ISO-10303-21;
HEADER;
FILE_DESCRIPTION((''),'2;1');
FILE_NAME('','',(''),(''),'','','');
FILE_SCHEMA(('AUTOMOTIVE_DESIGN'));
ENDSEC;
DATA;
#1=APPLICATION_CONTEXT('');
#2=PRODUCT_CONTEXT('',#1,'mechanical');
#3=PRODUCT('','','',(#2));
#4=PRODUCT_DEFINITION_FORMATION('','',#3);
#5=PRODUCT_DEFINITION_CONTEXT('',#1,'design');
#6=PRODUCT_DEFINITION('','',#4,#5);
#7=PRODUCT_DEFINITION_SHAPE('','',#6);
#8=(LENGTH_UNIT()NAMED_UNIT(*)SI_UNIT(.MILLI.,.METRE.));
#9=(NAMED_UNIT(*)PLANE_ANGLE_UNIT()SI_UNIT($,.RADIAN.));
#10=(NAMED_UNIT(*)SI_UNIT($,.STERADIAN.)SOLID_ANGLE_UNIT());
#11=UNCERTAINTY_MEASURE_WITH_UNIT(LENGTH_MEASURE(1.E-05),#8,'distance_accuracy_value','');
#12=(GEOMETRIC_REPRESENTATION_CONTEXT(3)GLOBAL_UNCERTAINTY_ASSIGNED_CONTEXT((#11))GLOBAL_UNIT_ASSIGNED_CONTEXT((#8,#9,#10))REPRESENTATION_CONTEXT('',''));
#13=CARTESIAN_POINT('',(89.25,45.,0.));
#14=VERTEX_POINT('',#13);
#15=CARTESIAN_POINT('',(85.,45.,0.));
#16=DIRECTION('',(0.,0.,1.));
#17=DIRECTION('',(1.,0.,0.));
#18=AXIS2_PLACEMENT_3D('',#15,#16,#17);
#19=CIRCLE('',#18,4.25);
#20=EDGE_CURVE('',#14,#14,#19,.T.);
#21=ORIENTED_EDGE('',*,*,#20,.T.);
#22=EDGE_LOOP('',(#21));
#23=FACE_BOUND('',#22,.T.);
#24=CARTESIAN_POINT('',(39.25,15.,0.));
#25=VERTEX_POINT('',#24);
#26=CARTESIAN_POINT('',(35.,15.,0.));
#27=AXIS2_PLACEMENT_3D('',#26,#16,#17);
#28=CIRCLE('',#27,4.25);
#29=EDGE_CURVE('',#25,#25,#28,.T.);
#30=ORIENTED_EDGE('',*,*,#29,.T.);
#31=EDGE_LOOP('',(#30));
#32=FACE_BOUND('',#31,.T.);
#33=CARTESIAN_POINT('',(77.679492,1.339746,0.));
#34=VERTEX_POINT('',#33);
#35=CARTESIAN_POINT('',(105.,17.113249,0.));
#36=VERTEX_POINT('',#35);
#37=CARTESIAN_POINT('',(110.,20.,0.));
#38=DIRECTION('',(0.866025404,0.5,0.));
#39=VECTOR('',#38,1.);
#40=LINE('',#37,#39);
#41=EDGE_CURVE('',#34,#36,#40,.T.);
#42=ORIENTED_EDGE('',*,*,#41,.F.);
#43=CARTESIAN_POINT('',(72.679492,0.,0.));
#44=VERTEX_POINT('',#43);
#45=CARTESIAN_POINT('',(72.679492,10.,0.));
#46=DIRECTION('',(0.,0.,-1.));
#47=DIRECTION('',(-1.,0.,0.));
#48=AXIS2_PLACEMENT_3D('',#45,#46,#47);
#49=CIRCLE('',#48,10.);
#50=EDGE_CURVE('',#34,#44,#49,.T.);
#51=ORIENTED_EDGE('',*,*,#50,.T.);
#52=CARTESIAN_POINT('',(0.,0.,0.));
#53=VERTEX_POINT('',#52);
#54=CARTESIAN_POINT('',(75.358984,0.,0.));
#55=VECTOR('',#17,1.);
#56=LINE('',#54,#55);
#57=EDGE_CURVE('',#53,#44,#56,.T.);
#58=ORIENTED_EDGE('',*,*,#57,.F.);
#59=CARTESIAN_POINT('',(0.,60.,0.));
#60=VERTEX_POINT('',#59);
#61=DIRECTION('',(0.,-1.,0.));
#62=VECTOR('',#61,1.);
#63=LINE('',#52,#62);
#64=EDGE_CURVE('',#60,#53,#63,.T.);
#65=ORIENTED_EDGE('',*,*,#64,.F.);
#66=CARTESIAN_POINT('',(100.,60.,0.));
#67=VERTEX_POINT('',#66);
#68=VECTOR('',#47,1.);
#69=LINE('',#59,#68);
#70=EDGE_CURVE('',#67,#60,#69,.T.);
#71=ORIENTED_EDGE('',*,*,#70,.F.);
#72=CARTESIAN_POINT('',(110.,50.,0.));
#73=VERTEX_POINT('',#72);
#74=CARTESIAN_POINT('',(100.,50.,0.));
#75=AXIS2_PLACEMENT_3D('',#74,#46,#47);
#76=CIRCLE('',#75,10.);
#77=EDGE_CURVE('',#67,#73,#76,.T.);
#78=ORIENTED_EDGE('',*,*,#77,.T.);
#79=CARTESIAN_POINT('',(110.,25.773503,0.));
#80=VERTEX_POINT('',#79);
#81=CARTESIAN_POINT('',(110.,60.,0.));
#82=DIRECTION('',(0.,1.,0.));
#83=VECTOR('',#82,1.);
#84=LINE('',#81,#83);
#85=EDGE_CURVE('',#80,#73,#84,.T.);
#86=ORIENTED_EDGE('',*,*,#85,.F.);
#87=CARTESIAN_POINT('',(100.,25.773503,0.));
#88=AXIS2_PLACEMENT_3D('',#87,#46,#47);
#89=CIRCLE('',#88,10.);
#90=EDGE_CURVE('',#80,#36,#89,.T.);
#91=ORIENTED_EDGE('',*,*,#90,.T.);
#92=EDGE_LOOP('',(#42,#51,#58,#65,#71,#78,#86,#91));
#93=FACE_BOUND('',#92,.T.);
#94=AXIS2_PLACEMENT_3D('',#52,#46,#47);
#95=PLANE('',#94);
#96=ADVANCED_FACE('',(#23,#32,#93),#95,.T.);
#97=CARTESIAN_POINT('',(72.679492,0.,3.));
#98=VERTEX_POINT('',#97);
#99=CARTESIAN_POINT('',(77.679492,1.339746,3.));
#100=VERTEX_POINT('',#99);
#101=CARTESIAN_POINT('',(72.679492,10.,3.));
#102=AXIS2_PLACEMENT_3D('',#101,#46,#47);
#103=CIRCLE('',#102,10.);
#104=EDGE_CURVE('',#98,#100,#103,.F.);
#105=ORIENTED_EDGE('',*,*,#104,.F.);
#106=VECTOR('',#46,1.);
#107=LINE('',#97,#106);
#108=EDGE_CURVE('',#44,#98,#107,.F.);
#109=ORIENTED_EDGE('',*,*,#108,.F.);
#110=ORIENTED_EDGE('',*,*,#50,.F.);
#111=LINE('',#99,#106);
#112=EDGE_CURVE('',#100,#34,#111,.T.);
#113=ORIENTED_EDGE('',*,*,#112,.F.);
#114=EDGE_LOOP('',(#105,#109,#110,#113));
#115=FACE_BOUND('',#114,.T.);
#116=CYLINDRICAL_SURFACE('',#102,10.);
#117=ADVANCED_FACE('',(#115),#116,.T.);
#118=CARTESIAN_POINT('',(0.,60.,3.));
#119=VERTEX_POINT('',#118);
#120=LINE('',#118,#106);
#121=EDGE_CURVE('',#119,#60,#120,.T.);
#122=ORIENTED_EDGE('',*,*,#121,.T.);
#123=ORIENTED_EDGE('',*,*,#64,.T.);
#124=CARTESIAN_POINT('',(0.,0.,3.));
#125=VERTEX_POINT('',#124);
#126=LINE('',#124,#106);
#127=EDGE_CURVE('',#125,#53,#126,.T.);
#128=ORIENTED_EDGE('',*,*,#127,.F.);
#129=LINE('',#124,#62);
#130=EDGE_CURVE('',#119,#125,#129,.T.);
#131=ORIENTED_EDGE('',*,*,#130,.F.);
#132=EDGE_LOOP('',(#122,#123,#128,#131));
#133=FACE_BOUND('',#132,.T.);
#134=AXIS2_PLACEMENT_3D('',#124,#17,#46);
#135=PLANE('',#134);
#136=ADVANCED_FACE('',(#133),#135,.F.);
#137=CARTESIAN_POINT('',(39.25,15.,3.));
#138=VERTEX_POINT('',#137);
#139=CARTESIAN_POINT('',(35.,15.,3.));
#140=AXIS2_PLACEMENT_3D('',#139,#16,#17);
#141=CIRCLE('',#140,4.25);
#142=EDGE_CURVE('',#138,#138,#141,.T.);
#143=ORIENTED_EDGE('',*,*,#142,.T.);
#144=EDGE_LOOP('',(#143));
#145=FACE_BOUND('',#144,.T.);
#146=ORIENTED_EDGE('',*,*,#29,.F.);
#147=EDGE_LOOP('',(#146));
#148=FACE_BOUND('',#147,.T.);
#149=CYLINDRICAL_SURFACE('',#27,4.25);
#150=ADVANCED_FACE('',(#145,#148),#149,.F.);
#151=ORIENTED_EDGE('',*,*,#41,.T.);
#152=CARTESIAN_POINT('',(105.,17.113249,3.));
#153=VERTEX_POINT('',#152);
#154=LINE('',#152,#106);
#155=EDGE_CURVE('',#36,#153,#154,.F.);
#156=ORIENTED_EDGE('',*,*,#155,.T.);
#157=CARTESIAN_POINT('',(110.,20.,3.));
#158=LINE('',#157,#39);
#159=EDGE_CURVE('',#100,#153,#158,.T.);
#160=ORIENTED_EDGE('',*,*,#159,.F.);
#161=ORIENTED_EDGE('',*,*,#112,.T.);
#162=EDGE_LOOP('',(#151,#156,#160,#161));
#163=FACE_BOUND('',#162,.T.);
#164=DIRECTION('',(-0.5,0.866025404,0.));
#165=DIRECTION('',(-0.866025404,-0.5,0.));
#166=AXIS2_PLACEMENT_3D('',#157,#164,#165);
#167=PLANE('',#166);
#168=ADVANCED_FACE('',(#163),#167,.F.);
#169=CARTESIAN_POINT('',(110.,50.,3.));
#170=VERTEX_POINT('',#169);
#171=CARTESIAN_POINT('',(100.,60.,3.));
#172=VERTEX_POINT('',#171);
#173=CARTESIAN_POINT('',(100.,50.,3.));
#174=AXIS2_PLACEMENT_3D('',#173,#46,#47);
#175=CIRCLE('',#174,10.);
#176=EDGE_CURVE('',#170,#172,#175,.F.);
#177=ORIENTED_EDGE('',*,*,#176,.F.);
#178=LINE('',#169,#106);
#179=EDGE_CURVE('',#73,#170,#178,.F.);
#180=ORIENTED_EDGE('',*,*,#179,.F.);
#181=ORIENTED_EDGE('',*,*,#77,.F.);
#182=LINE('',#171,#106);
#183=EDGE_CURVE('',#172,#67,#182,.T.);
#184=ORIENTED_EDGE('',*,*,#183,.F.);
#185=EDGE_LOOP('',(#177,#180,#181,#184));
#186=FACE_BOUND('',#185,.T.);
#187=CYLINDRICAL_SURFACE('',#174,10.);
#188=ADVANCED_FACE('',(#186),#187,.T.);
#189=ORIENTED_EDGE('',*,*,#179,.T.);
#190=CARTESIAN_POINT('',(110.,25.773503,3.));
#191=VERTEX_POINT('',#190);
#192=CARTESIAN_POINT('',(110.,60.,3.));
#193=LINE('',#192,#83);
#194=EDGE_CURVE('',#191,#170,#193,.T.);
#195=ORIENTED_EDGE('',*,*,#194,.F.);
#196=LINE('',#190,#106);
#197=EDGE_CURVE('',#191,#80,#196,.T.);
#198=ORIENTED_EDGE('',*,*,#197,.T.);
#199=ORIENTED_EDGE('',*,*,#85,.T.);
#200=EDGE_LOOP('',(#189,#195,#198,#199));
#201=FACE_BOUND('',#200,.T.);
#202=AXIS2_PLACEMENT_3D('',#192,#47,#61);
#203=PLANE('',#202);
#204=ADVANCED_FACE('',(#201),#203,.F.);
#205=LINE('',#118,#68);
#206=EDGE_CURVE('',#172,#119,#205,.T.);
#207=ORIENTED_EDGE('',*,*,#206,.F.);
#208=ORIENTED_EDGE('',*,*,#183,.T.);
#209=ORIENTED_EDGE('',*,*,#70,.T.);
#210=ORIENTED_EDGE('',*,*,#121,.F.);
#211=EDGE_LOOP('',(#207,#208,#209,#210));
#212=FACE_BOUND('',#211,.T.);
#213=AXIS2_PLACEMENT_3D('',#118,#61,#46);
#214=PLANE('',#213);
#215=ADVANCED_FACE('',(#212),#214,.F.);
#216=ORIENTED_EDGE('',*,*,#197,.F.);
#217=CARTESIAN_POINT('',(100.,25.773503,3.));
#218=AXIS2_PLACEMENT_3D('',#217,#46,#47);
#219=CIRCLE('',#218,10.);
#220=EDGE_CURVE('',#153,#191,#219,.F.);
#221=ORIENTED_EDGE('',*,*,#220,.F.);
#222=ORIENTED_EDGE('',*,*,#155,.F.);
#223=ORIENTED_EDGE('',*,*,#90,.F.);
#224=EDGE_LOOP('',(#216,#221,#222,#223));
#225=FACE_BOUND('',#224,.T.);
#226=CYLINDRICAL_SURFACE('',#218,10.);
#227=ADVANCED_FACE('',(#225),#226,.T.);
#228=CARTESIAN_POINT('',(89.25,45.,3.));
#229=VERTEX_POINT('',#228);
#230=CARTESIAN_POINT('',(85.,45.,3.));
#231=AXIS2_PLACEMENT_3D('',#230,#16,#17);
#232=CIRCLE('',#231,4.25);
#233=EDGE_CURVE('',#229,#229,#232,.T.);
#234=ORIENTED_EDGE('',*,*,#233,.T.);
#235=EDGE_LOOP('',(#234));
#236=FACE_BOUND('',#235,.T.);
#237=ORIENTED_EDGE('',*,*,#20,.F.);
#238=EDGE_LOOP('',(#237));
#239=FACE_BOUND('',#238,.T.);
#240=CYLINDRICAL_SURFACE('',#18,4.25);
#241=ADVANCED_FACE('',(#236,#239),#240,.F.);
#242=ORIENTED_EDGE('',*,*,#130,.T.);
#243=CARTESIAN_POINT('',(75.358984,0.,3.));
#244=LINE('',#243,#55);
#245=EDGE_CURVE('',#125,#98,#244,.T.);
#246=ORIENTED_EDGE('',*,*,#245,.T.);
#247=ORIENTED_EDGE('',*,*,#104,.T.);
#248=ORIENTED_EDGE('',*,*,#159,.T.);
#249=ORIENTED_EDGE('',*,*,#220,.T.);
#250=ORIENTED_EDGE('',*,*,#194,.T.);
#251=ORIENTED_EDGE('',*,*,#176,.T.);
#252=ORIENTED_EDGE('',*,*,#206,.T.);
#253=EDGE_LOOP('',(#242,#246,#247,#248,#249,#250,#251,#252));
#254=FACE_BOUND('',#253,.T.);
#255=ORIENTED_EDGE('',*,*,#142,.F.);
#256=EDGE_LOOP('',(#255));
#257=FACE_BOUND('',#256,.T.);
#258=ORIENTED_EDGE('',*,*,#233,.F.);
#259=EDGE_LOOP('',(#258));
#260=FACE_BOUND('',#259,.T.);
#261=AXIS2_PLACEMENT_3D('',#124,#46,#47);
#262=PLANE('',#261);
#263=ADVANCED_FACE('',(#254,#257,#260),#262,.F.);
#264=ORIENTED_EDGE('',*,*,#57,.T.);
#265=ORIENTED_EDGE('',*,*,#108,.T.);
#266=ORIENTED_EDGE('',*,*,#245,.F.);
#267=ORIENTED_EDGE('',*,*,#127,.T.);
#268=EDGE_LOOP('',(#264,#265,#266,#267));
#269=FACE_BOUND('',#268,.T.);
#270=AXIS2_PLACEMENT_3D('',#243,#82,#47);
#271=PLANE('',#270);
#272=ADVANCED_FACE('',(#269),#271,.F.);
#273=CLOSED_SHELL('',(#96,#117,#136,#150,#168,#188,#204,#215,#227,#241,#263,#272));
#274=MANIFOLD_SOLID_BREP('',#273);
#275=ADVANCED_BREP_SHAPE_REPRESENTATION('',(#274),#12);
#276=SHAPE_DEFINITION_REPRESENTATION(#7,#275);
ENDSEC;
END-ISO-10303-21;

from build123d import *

# Parameters (mm, degrees)
BOSS_EXTRUDE1_DEPTH = 3
FILLET1_R           = 10
SKETCH2_R           = 4.25
CUT_EXTRUDE1_DEPTH  = 126.335549626


with BuildPart() as part:
    # Sketch1 → Boss-Extrude1 (new body)
    with BuildSketch(Plane.XY):
        Polygon((0, 0), (0, 60), (110, 60), (110, 20), (75.358983849, 0), align=None)
    extrude(amount=BOSS_EXTRUDE1_DEPTH)

    # Fillet1
    fillet1_edges = [part.edges().sort_by_distance(p)[0] for p in [
        (110, 60, 1.5),
        (110, 20, 1.5),
        (75.358983849, 0, 1.5),
    ]]
    fillet(fillet1_edges, radius=FILLET1_R)

    # Sketch2 → Cut-Extrude1 (cut, through all)
    with BuildSketch(Plane.XY.offset(3)):
        with Locations((35, 15)):
            Circle(SKETCH2_R)
        with Locations((85, 45)):
            Circle(SKETCH2_R)
    extrude(amount=-CUT_EXTRUDE1_DEPTH, mode=Mode.SUBTRACT)


solid = part.part
